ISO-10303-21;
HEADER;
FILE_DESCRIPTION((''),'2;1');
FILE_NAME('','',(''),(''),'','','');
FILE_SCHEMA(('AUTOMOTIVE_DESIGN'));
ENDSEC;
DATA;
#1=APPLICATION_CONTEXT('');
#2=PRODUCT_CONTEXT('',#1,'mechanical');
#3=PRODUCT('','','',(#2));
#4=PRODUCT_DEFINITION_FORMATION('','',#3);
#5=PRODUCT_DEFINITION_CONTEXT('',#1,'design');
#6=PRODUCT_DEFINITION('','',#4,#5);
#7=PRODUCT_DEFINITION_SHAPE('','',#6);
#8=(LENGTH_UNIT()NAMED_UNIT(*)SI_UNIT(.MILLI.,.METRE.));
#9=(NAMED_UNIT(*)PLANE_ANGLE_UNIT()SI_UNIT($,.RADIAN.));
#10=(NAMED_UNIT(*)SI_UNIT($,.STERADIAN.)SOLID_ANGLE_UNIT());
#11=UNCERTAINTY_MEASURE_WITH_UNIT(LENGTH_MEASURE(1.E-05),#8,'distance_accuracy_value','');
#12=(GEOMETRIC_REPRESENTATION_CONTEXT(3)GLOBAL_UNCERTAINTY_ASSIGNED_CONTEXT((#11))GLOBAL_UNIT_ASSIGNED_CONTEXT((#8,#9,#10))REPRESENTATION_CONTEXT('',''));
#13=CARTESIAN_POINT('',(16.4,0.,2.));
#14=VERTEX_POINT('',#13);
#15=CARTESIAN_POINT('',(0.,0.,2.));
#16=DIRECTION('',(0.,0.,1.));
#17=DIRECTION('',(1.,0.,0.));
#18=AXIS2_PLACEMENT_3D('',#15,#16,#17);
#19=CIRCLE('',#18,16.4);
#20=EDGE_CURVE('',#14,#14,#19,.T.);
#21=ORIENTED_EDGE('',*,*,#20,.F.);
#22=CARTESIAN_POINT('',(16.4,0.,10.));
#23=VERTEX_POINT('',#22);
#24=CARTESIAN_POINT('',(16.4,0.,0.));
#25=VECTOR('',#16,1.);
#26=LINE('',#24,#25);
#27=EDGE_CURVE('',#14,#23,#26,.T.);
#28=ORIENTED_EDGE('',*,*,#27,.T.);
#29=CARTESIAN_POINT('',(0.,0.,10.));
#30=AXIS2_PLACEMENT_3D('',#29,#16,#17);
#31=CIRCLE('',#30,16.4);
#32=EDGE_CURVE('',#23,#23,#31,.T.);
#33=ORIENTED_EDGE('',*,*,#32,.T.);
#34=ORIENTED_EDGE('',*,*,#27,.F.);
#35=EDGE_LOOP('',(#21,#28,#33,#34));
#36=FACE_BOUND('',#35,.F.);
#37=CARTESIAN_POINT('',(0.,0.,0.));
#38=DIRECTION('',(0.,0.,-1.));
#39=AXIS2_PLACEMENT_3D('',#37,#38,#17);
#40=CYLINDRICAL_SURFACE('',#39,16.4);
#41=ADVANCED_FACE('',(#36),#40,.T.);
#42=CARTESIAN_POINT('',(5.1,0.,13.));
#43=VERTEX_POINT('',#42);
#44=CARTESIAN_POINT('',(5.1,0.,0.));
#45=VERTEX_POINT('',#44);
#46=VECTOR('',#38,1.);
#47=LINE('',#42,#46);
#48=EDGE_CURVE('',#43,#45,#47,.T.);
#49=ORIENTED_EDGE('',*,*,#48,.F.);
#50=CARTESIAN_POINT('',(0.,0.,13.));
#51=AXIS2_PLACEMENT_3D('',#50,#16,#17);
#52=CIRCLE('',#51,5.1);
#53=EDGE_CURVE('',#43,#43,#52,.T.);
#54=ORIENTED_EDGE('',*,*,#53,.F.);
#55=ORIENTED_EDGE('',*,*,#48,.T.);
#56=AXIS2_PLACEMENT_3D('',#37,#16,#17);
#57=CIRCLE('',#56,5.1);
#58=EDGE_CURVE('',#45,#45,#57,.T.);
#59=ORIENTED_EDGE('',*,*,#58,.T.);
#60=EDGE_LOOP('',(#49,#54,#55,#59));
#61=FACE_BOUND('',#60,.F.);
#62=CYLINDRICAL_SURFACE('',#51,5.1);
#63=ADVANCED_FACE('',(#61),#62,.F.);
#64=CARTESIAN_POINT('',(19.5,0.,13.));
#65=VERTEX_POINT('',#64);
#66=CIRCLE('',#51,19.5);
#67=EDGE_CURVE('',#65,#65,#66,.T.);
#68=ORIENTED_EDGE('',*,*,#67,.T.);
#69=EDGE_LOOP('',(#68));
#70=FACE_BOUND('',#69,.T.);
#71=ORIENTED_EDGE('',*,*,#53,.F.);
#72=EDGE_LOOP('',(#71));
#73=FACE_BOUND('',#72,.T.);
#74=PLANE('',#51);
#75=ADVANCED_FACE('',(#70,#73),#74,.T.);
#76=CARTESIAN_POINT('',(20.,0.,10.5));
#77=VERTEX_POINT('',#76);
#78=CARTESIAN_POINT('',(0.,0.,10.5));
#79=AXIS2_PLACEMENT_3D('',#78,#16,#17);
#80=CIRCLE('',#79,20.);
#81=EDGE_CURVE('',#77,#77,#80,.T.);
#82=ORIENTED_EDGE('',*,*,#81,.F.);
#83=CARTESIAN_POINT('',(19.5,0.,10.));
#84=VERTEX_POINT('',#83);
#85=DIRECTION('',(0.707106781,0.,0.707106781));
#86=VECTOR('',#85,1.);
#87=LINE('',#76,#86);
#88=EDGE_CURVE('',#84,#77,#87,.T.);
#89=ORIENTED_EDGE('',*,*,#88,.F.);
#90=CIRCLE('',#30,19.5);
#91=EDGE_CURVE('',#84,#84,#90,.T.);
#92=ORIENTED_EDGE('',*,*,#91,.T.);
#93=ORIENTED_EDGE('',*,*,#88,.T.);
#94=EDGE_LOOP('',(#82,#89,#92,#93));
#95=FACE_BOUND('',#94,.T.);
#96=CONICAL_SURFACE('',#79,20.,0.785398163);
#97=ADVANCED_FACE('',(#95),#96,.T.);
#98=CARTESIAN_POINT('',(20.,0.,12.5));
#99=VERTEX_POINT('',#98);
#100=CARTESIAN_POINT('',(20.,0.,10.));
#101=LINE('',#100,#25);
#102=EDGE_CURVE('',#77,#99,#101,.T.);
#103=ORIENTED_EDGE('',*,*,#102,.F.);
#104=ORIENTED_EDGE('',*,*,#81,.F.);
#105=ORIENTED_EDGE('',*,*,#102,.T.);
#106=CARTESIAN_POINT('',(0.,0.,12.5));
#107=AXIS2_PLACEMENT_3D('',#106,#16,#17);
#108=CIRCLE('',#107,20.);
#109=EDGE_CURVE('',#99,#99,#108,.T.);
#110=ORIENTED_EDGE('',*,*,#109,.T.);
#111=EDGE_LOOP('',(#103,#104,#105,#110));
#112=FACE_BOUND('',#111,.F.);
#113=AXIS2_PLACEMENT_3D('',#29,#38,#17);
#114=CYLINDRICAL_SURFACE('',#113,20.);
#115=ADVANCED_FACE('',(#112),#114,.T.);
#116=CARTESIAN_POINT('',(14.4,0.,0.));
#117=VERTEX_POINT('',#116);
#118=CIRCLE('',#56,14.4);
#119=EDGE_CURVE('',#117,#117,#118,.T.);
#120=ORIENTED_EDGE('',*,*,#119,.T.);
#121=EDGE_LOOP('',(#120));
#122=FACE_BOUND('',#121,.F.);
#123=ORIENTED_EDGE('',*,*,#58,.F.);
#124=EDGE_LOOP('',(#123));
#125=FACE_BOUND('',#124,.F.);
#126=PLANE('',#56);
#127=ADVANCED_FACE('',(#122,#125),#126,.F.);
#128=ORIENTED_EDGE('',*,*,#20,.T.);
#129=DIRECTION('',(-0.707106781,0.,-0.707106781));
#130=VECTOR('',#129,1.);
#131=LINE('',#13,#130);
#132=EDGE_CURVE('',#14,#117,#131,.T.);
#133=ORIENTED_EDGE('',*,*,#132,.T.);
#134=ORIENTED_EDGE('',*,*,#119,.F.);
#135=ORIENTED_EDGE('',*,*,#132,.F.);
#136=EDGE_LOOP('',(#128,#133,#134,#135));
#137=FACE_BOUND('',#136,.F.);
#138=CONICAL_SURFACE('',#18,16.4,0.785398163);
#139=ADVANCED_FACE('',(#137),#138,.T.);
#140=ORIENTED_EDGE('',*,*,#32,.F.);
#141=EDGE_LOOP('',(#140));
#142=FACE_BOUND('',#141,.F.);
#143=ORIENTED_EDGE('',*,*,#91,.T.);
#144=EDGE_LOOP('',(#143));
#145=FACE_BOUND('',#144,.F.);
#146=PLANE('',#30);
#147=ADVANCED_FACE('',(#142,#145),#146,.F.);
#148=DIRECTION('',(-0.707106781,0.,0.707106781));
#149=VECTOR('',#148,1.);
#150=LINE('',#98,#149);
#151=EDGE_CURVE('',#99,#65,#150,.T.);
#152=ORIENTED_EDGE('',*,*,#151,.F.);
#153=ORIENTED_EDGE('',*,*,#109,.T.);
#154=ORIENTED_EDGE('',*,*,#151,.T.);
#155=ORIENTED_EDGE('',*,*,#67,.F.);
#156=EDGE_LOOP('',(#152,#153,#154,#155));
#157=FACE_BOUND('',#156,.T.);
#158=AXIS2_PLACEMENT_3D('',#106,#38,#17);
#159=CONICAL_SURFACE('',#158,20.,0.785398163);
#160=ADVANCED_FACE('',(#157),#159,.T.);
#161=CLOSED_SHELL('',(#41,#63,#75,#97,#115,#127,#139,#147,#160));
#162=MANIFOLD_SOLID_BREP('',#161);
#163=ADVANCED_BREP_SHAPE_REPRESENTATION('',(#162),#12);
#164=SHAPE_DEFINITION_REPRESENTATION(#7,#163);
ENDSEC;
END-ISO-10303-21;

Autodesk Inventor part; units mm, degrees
ref_plane "YZ Plane" through (0, 0, 0) normal (1, 0, 0) x (0, 1, 0)
ref_plane "XZ Plane" through (0, 0, 0) normal (0, 1, 0) x (-1, 0, 0)
ref_plane "XY Plane" through (0, 0, 0) normal (0, 0, 1) x (1, 0, 0)
sketch "スケッチ1" plane through (0, 0, 0) normal (0, 0, 1) x (1, 0, 0)
  circle A0 centre (0, 0) radius 16.4
  dimension "d0" = 32.8
extrude "押し出し1" add sketch "スケッチ1" along normal blind 10
sketch "スケッチ2" plane through (0, 0, 10) normal (0, 0, 1) x (1, 0, 0)
  circle A0 centre (0, 0) radius 16.4 projected
  circle A1 centre (0, 0) radius 20
  dimension "d3" = 40
extrude "押し出し2" add sketch "スケッチ2" along normal blind 3 contours A0 | A1
chamfer "面取り1" distance 2 angle 45 1 edges at (-16.4, 0, 0)
chamfer "面取り2" distance 0.5 angle 45 2 edges at (-20, 0, 13) (-20, 0, 10)
sketch "スケッチ3" plane through (0, 0, 13) normal (0, 0, 1) x (1, 0, 0)
  circle A0 centre (0, 0) radius 19.5 projected
  circle A1 centre (0, 0) radius 5.1
  dimension "d12" = 10.2
extrude "押し出し3" cut sketch "スケッチ3" against normal through all contours A1
properties part number "Print_Parts_K" material "PC/ABS プラスチック"
